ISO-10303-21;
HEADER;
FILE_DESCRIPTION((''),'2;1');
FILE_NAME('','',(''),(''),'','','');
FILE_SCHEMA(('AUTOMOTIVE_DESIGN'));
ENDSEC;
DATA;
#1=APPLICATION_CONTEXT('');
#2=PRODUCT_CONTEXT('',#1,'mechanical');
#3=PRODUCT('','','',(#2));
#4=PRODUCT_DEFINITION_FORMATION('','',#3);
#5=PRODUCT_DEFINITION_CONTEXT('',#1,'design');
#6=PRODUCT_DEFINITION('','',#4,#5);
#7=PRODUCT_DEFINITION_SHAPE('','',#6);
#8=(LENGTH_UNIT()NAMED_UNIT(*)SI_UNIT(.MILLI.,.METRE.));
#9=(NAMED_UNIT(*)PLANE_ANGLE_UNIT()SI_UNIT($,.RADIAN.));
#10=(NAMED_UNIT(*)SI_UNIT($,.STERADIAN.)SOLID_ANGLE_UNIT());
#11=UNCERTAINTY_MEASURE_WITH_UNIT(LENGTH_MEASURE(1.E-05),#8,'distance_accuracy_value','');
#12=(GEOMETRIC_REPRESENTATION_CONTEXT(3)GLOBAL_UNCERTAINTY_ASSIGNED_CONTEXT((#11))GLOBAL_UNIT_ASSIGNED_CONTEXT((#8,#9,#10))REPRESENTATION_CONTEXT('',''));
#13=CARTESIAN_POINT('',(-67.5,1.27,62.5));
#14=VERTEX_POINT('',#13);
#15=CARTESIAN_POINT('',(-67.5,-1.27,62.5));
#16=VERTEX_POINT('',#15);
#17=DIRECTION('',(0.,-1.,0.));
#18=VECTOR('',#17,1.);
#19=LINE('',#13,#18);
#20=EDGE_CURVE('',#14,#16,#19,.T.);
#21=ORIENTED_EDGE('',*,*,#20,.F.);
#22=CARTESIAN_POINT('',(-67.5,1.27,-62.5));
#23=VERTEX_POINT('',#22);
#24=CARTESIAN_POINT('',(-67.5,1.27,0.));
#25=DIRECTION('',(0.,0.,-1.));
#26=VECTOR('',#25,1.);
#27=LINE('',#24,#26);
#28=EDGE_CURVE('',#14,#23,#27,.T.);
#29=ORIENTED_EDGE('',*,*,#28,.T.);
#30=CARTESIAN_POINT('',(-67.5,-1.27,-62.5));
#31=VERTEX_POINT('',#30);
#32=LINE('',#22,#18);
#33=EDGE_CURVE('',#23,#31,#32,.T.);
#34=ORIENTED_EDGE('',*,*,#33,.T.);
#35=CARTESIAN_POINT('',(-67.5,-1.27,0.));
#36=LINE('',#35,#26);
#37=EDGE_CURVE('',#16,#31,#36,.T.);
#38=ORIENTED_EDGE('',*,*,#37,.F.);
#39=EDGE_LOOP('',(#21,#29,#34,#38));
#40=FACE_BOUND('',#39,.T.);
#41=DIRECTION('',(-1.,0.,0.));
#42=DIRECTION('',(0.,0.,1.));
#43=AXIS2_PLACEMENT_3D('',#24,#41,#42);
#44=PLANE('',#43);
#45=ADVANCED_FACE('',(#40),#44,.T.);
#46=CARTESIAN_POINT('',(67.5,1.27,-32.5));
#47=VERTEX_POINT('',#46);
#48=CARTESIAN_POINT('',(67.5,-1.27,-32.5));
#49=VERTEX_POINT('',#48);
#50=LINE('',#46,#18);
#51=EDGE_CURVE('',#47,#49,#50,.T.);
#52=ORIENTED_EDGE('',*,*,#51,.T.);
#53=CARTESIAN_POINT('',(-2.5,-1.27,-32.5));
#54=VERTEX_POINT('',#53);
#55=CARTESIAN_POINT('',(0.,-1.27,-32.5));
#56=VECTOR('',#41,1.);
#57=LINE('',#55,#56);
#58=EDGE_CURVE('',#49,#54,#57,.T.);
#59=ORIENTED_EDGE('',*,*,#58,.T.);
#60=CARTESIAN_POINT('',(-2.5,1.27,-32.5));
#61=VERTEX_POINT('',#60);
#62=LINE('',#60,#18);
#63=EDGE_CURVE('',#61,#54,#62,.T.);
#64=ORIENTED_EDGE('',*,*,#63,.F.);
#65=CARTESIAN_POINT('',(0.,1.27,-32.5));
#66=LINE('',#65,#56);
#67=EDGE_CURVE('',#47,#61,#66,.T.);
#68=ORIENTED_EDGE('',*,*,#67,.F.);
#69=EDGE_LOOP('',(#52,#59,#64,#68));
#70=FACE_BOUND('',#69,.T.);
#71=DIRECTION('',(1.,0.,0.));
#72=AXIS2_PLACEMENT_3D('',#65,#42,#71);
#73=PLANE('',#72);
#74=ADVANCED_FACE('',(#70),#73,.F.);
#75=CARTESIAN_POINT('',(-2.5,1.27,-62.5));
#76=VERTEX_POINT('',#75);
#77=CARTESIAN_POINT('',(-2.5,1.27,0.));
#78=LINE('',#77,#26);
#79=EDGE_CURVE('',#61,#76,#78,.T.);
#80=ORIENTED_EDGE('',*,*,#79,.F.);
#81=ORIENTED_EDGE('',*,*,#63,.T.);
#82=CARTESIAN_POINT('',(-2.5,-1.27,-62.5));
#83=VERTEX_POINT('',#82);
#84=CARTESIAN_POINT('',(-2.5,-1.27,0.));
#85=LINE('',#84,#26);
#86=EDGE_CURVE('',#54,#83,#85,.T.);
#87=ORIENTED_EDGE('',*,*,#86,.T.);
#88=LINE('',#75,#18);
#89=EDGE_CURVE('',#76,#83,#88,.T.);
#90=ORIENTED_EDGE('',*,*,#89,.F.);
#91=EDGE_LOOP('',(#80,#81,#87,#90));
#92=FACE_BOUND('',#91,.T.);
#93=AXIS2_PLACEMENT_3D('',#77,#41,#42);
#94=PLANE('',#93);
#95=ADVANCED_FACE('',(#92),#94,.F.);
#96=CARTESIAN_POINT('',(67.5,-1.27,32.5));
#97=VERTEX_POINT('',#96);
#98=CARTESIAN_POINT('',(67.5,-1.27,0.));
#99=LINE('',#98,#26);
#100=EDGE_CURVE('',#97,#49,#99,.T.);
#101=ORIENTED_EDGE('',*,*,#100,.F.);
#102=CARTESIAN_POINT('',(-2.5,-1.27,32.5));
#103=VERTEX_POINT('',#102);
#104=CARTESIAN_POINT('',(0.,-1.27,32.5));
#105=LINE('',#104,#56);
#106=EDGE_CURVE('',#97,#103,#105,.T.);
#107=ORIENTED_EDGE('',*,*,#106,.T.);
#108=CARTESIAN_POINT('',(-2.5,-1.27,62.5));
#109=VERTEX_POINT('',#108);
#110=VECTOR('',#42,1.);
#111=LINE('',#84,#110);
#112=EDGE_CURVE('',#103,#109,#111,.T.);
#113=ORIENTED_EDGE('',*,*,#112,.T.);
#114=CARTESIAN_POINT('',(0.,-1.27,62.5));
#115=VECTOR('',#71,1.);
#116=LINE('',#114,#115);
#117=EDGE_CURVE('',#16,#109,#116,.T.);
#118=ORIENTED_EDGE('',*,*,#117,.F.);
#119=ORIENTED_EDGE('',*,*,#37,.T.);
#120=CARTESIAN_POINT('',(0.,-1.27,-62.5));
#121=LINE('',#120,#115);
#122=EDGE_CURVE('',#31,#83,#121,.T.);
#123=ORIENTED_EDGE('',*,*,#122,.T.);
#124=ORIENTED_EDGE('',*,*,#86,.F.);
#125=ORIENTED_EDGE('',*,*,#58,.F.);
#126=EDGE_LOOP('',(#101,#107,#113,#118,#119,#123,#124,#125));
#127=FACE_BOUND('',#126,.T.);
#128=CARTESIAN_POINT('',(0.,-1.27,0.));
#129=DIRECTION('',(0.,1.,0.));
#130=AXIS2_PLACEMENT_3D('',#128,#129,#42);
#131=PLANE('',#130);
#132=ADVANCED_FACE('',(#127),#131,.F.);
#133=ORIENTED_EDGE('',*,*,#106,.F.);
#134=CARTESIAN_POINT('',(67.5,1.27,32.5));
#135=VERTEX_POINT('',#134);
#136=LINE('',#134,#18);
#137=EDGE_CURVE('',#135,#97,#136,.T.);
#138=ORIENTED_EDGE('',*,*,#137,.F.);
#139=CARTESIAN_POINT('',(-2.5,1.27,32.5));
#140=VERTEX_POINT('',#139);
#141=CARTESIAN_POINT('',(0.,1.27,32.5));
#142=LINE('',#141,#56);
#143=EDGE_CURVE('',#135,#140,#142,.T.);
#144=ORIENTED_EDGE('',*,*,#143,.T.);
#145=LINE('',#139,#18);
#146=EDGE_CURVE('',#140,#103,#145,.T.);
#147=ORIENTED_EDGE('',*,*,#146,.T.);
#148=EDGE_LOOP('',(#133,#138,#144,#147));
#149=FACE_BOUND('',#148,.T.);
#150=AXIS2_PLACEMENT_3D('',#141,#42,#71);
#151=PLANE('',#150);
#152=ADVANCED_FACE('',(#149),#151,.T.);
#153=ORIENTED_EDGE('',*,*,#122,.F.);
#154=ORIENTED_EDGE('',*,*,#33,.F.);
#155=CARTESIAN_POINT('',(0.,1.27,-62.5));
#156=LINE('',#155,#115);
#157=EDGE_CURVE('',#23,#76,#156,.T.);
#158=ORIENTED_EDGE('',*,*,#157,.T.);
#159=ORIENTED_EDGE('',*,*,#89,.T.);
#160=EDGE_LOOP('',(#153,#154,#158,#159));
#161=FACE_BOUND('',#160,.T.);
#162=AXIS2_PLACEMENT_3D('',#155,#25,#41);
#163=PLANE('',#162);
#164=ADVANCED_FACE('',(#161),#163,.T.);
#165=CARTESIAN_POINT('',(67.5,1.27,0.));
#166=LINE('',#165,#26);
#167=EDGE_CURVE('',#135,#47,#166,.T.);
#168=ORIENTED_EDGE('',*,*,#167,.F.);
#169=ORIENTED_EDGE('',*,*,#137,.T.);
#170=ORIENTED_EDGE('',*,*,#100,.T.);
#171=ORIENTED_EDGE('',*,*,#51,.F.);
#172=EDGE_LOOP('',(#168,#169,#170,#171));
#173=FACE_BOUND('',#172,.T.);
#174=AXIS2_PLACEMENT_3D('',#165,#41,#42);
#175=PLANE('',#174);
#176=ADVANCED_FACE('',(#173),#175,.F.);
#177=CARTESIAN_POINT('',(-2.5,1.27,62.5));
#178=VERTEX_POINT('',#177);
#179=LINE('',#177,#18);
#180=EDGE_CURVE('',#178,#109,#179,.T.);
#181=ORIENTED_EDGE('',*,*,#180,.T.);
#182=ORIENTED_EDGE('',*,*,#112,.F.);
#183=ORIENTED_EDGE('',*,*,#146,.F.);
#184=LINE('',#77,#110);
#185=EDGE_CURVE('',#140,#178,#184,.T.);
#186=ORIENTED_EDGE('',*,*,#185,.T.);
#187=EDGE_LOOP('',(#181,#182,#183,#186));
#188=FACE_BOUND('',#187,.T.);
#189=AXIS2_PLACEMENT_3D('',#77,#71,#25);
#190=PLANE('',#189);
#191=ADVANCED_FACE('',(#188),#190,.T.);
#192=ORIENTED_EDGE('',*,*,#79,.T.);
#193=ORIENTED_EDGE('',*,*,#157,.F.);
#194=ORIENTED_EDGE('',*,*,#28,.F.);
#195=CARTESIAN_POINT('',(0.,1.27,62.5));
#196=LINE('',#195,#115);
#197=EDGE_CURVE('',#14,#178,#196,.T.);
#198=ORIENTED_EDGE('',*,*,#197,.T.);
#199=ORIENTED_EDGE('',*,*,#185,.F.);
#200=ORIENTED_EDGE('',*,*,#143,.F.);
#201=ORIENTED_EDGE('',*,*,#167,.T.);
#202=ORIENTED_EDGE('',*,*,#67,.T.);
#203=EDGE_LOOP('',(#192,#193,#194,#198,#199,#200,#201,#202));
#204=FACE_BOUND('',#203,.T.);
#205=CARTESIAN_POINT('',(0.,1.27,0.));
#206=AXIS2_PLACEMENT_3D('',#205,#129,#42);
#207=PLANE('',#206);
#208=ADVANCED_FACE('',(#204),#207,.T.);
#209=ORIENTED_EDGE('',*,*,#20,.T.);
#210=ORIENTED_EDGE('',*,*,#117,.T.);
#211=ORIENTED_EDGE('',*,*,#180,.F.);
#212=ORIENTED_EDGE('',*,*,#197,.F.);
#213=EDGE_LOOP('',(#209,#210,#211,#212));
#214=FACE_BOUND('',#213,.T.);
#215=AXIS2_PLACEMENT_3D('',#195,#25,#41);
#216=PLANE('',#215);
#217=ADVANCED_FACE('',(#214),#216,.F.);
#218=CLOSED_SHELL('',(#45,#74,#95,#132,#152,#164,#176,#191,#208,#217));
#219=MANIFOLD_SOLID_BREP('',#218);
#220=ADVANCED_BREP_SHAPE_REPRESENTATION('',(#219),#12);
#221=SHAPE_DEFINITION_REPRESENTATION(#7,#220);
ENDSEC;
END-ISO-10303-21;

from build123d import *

# Parameters (mm, degrees)
BOSS_EXTRUDE1_DEPTH = 1.27


with BuildPart() as part:
    # Sketch1 → Boss-Extrude1 (new body, symmetric)
    with BuildSketch(Plane(origin=(0, 0, 0), x_dir=(1, 0, 0), z_dir=(0, 1, 0))):
        Polygon((67.5, -32.5), (67.5, 32.5), (-2.5, 32.5), (-2.5, 62.5), (-67.5, 62.5), (-67.5, -62.5), (-2.5, -62.5), (-2.5, -32.5), align=None)
    extrude(amount=BOSS_EXTRUDE1_DEPTH, both=True)


solid = part.part
